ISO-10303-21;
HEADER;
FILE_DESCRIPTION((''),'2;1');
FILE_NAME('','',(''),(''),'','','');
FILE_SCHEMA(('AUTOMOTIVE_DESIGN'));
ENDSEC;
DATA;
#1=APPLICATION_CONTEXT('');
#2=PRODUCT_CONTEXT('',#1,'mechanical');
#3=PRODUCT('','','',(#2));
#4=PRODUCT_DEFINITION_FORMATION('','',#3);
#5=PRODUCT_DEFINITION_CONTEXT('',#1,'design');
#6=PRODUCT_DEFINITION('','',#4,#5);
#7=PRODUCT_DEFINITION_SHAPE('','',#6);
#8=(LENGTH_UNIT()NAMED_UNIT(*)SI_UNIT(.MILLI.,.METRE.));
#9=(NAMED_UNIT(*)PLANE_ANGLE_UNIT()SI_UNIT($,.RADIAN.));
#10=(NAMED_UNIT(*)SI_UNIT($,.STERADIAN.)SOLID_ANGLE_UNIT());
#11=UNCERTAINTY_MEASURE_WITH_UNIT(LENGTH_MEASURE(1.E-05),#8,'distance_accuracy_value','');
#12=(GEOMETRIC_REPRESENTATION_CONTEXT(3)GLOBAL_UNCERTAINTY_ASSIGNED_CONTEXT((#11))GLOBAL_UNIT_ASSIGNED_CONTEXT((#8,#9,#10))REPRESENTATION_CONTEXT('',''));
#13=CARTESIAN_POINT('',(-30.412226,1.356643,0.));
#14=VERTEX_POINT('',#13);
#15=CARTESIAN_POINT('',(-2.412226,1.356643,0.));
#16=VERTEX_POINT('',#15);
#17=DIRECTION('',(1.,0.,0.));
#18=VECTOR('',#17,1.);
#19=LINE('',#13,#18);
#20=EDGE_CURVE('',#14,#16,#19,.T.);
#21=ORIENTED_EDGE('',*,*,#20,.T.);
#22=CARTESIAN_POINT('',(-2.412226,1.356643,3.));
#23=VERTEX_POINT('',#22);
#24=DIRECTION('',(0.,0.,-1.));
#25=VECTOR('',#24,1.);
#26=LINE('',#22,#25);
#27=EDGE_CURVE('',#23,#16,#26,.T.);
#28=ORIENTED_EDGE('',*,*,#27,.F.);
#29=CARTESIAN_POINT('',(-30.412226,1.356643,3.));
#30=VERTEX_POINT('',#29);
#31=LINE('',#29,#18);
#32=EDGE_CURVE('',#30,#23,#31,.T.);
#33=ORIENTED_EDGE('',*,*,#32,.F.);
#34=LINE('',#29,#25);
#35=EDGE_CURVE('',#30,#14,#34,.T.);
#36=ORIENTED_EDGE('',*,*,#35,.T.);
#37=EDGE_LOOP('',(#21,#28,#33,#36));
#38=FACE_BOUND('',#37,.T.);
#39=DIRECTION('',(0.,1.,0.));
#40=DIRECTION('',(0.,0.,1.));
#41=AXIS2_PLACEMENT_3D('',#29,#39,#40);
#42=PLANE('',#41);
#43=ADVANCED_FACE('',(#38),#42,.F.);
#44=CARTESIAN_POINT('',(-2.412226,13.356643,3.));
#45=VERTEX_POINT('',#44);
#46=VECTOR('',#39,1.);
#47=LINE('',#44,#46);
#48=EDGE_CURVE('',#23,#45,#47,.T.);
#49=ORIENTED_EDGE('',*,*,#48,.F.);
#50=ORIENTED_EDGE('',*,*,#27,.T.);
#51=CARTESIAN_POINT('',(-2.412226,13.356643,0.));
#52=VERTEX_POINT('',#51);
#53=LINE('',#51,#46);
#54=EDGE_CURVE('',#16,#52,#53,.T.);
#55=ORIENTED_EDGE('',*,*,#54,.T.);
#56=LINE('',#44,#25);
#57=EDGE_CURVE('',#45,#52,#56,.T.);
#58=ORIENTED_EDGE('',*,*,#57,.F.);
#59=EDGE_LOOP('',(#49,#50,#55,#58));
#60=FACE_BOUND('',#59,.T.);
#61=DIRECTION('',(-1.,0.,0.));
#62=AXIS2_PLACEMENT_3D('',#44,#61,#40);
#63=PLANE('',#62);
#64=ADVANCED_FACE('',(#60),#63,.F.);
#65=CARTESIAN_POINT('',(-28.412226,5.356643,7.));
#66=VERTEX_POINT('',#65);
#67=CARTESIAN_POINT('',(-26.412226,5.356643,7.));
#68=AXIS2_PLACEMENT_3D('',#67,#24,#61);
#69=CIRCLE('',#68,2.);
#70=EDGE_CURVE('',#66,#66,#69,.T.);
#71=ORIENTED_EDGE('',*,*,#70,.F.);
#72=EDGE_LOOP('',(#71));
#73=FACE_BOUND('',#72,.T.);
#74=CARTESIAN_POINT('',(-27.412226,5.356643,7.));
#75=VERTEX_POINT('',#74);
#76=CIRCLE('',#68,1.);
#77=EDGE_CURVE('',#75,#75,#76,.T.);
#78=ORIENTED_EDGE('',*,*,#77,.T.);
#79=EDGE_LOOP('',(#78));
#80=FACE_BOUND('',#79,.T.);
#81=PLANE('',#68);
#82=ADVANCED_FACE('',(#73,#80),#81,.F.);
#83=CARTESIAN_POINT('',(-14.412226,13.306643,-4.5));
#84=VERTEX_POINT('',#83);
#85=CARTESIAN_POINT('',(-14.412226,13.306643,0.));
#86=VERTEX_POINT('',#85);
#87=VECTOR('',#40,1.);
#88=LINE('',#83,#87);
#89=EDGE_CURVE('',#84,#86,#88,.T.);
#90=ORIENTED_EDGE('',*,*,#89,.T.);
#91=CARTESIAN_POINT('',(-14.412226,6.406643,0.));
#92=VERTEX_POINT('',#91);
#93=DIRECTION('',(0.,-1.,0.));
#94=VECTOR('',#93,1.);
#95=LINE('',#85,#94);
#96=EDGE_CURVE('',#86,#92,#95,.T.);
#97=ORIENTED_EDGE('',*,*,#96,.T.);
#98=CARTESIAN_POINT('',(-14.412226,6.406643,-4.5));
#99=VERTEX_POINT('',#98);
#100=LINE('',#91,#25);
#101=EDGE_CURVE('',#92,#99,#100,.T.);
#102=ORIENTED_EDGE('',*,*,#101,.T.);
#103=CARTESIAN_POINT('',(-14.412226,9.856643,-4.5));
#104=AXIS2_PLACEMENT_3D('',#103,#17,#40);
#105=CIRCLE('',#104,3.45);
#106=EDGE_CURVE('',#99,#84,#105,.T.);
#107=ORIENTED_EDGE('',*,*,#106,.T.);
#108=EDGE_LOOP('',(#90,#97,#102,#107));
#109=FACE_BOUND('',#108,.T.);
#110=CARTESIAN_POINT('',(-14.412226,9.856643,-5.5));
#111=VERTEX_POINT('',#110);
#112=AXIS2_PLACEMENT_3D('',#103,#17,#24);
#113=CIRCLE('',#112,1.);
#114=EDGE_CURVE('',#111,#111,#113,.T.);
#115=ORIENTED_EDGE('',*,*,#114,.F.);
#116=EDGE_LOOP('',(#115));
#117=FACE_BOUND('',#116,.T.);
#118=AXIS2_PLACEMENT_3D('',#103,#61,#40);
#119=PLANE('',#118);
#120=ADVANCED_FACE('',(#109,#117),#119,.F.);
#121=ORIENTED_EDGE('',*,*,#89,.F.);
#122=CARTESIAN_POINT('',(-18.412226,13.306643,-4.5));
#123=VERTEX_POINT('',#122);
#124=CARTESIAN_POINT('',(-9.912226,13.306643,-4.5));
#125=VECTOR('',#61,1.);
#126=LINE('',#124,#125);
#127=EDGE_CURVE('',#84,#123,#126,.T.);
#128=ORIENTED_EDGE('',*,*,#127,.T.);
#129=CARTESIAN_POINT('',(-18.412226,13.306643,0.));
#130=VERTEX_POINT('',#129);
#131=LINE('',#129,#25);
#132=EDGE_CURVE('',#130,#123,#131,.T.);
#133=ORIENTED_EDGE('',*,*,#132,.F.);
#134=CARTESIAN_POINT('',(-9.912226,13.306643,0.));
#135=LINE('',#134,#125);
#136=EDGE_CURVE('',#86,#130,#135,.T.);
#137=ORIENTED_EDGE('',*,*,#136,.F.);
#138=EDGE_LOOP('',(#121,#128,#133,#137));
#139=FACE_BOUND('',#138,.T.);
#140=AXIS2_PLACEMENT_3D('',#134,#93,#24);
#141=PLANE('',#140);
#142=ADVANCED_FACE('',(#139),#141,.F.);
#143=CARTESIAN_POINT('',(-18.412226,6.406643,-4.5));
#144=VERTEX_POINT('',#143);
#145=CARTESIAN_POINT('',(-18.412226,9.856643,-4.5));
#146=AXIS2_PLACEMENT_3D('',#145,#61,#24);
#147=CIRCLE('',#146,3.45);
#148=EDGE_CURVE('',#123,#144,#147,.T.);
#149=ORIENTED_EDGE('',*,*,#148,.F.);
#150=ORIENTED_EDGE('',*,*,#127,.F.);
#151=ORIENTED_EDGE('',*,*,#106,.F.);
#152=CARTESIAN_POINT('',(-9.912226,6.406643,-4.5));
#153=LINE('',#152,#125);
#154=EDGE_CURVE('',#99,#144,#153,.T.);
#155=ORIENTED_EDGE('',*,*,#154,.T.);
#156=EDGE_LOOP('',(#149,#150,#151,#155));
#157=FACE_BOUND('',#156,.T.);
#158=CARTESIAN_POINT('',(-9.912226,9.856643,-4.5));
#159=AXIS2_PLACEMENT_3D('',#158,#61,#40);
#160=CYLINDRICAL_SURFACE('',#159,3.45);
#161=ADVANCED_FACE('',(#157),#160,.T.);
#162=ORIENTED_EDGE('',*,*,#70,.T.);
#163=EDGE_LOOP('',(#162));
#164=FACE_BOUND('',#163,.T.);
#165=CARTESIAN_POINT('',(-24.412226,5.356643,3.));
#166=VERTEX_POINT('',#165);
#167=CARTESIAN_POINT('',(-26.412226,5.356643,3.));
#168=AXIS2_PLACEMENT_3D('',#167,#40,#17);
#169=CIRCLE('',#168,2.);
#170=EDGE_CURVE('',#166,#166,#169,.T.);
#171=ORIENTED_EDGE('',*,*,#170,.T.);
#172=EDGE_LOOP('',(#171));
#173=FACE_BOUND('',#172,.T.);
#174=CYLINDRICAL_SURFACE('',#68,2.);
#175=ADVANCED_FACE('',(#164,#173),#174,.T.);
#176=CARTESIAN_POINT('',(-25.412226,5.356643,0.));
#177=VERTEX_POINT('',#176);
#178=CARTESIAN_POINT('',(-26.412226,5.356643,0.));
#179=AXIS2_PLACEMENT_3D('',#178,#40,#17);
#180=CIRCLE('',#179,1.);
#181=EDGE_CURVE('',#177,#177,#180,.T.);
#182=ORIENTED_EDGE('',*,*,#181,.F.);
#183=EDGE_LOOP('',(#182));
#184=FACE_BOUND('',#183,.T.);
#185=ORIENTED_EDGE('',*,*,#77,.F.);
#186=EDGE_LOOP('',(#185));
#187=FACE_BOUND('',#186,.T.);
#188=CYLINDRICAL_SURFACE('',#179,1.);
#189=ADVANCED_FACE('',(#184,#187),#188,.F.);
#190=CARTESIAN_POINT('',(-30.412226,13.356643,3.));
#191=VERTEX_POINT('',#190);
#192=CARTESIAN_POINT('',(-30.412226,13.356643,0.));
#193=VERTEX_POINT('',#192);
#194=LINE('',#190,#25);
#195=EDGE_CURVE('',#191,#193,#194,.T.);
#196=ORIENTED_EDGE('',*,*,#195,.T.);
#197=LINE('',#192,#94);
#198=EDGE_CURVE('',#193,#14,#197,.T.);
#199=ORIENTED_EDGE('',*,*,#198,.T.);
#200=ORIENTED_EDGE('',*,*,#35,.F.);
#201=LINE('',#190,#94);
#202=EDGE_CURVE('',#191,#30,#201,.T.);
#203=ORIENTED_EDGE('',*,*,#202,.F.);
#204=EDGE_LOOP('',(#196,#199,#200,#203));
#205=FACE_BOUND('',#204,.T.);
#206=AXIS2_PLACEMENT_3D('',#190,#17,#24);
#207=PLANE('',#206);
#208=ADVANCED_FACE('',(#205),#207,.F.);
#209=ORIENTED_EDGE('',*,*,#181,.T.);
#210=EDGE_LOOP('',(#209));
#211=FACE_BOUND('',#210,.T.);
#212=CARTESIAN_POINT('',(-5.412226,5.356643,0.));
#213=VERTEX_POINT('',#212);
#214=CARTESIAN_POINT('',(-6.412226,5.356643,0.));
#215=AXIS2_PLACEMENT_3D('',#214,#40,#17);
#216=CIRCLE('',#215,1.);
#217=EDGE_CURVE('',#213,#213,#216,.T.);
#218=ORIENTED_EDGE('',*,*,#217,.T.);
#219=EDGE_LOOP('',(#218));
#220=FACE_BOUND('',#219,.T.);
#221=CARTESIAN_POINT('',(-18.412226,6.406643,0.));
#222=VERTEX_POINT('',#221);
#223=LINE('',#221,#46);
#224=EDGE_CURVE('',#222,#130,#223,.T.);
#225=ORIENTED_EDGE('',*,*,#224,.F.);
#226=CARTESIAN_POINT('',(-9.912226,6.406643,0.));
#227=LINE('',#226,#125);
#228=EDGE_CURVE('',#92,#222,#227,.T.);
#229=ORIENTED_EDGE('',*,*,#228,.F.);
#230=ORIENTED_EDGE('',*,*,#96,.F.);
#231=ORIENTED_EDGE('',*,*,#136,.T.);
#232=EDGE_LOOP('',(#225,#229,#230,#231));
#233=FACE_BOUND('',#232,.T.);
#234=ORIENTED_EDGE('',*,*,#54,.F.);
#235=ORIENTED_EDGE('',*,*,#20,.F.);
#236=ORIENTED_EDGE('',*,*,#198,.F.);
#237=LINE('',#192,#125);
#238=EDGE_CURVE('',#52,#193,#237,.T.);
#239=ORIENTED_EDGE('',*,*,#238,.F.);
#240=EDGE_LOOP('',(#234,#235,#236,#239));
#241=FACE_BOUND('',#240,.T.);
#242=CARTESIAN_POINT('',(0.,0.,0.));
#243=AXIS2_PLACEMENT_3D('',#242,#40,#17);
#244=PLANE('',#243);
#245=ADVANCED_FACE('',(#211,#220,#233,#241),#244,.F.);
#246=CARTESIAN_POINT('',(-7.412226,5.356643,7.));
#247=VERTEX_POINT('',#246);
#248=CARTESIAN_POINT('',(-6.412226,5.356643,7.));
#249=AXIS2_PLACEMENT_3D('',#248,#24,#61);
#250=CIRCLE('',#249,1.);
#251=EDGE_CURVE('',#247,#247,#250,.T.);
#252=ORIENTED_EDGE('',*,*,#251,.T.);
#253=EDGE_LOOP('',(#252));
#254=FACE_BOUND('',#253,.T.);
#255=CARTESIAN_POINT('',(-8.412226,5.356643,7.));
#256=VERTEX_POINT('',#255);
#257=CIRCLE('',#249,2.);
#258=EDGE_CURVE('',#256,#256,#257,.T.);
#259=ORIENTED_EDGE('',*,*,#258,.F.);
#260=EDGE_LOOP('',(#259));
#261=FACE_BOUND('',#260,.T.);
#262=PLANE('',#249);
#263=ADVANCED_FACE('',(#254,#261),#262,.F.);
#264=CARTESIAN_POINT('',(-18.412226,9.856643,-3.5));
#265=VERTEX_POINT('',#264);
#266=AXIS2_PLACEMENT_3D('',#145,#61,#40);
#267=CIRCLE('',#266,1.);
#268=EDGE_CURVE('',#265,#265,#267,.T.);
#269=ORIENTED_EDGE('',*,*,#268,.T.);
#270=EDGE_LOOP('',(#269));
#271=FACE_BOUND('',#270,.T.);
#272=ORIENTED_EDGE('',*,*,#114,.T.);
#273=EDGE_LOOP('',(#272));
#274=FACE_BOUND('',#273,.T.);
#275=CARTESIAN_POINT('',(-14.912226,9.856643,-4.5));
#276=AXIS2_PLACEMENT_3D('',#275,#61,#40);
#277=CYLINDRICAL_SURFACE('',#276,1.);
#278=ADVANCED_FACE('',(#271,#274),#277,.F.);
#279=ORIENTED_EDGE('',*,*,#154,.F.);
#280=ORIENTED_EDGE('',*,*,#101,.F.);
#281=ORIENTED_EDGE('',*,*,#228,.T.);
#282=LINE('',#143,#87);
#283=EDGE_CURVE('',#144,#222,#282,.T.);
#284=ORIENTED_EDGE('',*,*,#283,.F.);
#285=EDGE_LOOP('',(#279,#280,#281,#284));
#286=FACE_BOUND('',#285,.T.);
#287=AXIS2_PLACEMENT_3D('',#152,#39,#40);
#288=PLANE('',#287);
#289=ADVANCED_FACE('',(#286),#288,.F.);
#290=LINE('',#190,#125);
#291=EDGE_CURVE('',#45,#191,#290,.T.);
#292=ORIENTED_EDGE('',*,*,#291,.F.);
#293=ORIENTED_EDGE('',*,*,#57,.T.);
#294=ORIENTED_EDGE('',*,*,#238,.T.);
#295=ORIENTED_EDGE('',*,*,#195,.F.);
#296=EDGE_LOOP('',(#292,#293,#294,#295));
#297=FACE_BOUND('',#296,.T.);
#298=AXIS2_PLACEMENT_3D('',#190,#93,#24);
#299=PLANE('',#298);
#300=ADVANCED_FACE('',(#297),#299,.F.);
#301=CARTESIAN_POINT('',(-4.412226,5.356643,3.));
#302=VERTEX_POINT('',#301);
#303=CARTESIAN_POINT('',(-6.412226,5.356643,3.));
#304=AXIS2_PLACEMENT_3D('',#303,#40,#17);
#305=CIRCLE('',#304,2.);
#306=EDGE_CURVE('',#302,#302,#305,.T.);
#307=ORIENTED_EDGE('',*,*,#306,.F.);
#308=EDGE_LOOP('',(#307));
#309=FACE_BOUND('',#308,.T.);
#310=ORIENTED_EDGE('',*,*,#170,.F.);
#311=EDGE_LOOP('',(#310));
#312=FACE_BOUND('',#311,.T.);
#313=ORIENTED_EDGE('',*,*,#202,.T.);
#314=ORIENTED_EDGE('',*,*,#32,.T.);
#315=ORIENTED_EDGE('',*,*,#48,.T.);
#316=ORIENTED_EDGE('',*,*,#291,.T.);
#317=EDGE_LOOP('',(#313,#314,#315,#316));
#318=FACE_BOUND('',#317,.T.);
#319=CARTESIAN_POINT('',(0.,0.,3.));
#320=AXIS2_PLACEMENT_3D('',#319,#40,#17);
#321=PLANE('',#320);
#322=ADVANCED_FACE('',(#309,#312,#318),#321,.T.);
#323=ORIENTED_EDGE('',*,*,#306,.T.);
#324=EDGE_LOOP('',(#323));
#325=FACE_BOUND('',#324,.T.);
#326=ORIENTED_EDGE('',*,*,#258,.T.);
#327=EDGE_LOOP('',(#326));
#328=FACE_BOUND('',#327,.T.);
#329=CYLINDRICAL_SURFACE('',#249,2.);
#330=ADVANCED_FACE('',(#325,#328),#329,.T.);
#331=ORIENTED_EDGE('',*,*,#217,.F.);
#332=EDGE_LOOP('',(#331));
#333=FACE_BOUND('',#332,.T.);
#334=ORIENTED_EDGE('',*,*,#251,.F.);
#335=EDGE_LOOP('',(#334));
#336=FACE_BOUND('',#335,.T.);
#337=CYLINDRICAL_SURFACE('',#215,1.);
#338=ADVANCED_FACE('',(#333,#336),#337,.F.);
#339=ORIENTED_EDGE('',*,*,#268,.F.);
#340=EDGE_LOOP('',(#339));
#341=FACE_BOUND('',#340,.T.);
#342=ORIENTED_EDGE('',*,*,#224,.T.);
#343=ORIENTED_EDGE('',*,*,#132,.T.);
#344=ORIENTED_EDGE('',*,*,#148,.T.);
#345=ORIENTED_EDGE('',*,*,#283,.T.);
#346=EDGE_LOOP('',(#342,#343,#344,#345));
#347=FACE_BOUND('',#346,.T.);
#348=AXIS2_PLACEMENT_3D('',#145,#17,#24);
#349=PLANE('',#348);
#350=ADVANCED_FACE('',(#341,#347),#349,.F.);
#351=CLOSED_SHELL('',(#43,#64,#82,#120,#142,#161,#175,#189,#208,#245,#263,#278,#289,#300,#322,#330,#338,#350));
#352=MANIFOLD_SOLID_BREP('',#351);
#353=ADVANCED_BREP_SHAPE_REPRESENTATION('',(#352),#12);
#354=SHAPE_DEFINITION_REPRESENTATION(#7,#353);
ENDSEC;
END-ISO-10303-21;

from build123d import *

# Parameters (mm, degrees)
CROQUIS1_W              = 28
CROQUIS1_H              = 12
SALIENTE_EXTRUIR1_DEPTH = 3
CROQUIS2_R              = 1
CORTAR_EXTRUIR1_DEPTH   = 3
CROQUIS3_W              = 3
CROQUIS3_H              = 8.392153605
SALIENTE_EXTRUIR2_DEPTH = 8
CROQUIS4_R              = 1
CORTAR_EXTRUIR2_DEPTH   = 3
CORTAR_EXTRUIR3_DEPTH   = 8
SALIENTE_EXTRUIR3_START = -7
CROQUIS8_R              = 2
CROQUIS8_R_2            = 1
SALIENTE_EXTRUIR3_DEPTH = 7
SALIENTE_EXTRUIR4_START = 0.5
CROQUIS11_R             = 1
SALIENTE_EXTRUIR4_DEPTH = 0.5
CROQUIS12_R             = 1
SALIENTE_EXTRUIR5_DEPTH = 0.5


with BuildPart() as part:
    # Croquis1 → Saliente-Extruir1 (new body)
    with BuildSketch(Plane.XY):
        with Locations((-16.412225504, 7.356643357)):
            Rectangle(CROQUIS1_W, CROQUIS1_H)
    extrude(amount=SALIENTE_EXTRUIR1_DEPTH)

    # Croquis2 → Cortar-Extruir1 (cut)
    with BuildSketch(Plane.XY.offset(3)):
        with Locations((-26.412225504, 5.356643357)):
            Circle(CROQUIS2_R)
        with Locations((-6.412225504, 5.356643357)):
            Circle(CROQUIS2_R)
    extrude(amount=-CORTAR_EXTRUIR1_DEPTH, mode=Mode.SUBTRACT)

    # Croquis3 → Saliente-Extruir2 (add)
    with BuildSketch(Plane(origin=(0, 0, 0), x_dir=(-1, 0, 0), z_dir=(0, 0, -1))):
        with Locations((16.412225504, 9.160566555)):
            Rectangle(CROQUIS3_W, CROQUIS3_H)
    extrude(amount=SALIENTE_EXTRUIR2_DEPTH)

    # Croquis4 → Cortar-Extruir2 (cut)
    with BuildSketch(Plane.ZY.offset(17.912225504)):
        with Locations((-4.5, 9.856643357)):
            Circle(CROQUIS4_R)
    extrude(amount=-CORTAR_EXTRUIR2_DEPTH, mode=Mode.SUBTRACT)

    # Croquis6 → Cortar-Extruir3 (cut)
    with BuildSketch(Plane.ZY.offset(17.912225504)):
        with BuildLine():
            Line((-8, 13.356643357), (-4.5, 13.356643357))
            Line((-4.5, 13.356643357), (0, 13.356643357))
            Line((0, 13.356643357), (0, 13.306643357))
            Line((0, 13.306643357), (-4.5, 13.306643357))
            ThreePointArc((-4.5, 13.306643357), (-7.95, 9.856643357), (-4.5, 6.406643357))
            Line((-4.5, 6.406643357), (0, 6.406643357))
            Line((0, 6.406643357), (0, 4.964489752))
            Line((0, 4.964489752), (-8, 4.964489752))
            Line((-8, 4.964489752), (-8, 6.352103478))
            Line((-8, 6.352103478), (-8, 13.356643357))
        make_face()
    extrude(amount=-CORTAR_EXTRUIR3_DEPTH, mode=Mode.SUBTRACT)

    # Croquis8 → Saliente-Extruir3 (add)
    # profile 1 of 2: a face of its own
    with BuildSketch(Plane(origin=(0, 0, 0), x_dir=(-1, 0, 0), z_dir=(0, 0, -1)).offset(SALIENTE_EXTRUIR3_START)):
        with Locations((6.412225504, 5.356643357)):
            Circle(CROQUIS8_R)
        with Locations(Location((6.412225504, 5.356643357, 0), (0, 0, 180))):
            Circle(CROQUIS8_R_2, mode=Mode.SUBTRACT)
    # profile 2 of 2: a face of its own
    with BuildSketch(Plane(origin=(0, 0, 0), x_dir=(-1, 0, 0), z_dir=(0, 0, -1)).offset(SALIENTE_EXTRUIR3_START)):
        with Locations((26.412225504, 5.356643357)):
            Circle(CROQUIS8_R)
        with Locations(Location((26.412225504, 5.356643357, 0), (0, 0, 180))):
            Circle(CROQUIS8_R_2, mode=Mode.SUBTRACT)
    extrude(amount=SALIENTE_EXTRUIR3_DEPTH)

    # Croquis11 → Saliente-Extruir4 (add)
    with BuildSketch(Plane.ZY.offset(17.912225504).offset(SALIENTE_EXTRUIR4_START)):
        with BuildLine():
            Line((-4.5, 6.406643357), (0, 6.406643357))
            Line((0, 6.406643357), (0, 13.306643357))
            Line((0, 13.306643357), (-4.5, 13.306643357))
            ThreePointArc((-4.5, 13.306643357), (-7.95, 9.856643357), (-4.5, 6.406643357))
        make_face()
        with Locations((-4.5, 9.856643357)):
            Circle(CROQUIS11_R, mode=Mode.SUBTRACT)
    extrude(amount=-SALIENTE_EXTRUIR4_DEPTH)

    # Croquis12 → Saliente-Extruir5 (add)
    with BuildSketch(Plane(origin=(-14.912225504, 0, 0), x_dir=(0, 0, -1), z_dir=(1, 0, 0))):
        with BuildLine():
            Line((4.5, 13.306643357), (0, 13.306643357))
            Line((0, 13.306643357), (0, 6.406643357))
            Line((0, 6.406643357), (4.5, 6.406643357))
            ThreePointArc((4.5, 6.406643357), (7.95, 9.856643357), (4.5, 13.306643357))
        make_face()
        with Locations(Location((4.5, 9.856643357, 0), (0, 0, 180))):
            Circle(CROQUIS12_R, mode=Mode.SUBTRACT)
    extrude(amount=SALIENTE_EXTRUIR5_DEPTH)


solid = part.part
